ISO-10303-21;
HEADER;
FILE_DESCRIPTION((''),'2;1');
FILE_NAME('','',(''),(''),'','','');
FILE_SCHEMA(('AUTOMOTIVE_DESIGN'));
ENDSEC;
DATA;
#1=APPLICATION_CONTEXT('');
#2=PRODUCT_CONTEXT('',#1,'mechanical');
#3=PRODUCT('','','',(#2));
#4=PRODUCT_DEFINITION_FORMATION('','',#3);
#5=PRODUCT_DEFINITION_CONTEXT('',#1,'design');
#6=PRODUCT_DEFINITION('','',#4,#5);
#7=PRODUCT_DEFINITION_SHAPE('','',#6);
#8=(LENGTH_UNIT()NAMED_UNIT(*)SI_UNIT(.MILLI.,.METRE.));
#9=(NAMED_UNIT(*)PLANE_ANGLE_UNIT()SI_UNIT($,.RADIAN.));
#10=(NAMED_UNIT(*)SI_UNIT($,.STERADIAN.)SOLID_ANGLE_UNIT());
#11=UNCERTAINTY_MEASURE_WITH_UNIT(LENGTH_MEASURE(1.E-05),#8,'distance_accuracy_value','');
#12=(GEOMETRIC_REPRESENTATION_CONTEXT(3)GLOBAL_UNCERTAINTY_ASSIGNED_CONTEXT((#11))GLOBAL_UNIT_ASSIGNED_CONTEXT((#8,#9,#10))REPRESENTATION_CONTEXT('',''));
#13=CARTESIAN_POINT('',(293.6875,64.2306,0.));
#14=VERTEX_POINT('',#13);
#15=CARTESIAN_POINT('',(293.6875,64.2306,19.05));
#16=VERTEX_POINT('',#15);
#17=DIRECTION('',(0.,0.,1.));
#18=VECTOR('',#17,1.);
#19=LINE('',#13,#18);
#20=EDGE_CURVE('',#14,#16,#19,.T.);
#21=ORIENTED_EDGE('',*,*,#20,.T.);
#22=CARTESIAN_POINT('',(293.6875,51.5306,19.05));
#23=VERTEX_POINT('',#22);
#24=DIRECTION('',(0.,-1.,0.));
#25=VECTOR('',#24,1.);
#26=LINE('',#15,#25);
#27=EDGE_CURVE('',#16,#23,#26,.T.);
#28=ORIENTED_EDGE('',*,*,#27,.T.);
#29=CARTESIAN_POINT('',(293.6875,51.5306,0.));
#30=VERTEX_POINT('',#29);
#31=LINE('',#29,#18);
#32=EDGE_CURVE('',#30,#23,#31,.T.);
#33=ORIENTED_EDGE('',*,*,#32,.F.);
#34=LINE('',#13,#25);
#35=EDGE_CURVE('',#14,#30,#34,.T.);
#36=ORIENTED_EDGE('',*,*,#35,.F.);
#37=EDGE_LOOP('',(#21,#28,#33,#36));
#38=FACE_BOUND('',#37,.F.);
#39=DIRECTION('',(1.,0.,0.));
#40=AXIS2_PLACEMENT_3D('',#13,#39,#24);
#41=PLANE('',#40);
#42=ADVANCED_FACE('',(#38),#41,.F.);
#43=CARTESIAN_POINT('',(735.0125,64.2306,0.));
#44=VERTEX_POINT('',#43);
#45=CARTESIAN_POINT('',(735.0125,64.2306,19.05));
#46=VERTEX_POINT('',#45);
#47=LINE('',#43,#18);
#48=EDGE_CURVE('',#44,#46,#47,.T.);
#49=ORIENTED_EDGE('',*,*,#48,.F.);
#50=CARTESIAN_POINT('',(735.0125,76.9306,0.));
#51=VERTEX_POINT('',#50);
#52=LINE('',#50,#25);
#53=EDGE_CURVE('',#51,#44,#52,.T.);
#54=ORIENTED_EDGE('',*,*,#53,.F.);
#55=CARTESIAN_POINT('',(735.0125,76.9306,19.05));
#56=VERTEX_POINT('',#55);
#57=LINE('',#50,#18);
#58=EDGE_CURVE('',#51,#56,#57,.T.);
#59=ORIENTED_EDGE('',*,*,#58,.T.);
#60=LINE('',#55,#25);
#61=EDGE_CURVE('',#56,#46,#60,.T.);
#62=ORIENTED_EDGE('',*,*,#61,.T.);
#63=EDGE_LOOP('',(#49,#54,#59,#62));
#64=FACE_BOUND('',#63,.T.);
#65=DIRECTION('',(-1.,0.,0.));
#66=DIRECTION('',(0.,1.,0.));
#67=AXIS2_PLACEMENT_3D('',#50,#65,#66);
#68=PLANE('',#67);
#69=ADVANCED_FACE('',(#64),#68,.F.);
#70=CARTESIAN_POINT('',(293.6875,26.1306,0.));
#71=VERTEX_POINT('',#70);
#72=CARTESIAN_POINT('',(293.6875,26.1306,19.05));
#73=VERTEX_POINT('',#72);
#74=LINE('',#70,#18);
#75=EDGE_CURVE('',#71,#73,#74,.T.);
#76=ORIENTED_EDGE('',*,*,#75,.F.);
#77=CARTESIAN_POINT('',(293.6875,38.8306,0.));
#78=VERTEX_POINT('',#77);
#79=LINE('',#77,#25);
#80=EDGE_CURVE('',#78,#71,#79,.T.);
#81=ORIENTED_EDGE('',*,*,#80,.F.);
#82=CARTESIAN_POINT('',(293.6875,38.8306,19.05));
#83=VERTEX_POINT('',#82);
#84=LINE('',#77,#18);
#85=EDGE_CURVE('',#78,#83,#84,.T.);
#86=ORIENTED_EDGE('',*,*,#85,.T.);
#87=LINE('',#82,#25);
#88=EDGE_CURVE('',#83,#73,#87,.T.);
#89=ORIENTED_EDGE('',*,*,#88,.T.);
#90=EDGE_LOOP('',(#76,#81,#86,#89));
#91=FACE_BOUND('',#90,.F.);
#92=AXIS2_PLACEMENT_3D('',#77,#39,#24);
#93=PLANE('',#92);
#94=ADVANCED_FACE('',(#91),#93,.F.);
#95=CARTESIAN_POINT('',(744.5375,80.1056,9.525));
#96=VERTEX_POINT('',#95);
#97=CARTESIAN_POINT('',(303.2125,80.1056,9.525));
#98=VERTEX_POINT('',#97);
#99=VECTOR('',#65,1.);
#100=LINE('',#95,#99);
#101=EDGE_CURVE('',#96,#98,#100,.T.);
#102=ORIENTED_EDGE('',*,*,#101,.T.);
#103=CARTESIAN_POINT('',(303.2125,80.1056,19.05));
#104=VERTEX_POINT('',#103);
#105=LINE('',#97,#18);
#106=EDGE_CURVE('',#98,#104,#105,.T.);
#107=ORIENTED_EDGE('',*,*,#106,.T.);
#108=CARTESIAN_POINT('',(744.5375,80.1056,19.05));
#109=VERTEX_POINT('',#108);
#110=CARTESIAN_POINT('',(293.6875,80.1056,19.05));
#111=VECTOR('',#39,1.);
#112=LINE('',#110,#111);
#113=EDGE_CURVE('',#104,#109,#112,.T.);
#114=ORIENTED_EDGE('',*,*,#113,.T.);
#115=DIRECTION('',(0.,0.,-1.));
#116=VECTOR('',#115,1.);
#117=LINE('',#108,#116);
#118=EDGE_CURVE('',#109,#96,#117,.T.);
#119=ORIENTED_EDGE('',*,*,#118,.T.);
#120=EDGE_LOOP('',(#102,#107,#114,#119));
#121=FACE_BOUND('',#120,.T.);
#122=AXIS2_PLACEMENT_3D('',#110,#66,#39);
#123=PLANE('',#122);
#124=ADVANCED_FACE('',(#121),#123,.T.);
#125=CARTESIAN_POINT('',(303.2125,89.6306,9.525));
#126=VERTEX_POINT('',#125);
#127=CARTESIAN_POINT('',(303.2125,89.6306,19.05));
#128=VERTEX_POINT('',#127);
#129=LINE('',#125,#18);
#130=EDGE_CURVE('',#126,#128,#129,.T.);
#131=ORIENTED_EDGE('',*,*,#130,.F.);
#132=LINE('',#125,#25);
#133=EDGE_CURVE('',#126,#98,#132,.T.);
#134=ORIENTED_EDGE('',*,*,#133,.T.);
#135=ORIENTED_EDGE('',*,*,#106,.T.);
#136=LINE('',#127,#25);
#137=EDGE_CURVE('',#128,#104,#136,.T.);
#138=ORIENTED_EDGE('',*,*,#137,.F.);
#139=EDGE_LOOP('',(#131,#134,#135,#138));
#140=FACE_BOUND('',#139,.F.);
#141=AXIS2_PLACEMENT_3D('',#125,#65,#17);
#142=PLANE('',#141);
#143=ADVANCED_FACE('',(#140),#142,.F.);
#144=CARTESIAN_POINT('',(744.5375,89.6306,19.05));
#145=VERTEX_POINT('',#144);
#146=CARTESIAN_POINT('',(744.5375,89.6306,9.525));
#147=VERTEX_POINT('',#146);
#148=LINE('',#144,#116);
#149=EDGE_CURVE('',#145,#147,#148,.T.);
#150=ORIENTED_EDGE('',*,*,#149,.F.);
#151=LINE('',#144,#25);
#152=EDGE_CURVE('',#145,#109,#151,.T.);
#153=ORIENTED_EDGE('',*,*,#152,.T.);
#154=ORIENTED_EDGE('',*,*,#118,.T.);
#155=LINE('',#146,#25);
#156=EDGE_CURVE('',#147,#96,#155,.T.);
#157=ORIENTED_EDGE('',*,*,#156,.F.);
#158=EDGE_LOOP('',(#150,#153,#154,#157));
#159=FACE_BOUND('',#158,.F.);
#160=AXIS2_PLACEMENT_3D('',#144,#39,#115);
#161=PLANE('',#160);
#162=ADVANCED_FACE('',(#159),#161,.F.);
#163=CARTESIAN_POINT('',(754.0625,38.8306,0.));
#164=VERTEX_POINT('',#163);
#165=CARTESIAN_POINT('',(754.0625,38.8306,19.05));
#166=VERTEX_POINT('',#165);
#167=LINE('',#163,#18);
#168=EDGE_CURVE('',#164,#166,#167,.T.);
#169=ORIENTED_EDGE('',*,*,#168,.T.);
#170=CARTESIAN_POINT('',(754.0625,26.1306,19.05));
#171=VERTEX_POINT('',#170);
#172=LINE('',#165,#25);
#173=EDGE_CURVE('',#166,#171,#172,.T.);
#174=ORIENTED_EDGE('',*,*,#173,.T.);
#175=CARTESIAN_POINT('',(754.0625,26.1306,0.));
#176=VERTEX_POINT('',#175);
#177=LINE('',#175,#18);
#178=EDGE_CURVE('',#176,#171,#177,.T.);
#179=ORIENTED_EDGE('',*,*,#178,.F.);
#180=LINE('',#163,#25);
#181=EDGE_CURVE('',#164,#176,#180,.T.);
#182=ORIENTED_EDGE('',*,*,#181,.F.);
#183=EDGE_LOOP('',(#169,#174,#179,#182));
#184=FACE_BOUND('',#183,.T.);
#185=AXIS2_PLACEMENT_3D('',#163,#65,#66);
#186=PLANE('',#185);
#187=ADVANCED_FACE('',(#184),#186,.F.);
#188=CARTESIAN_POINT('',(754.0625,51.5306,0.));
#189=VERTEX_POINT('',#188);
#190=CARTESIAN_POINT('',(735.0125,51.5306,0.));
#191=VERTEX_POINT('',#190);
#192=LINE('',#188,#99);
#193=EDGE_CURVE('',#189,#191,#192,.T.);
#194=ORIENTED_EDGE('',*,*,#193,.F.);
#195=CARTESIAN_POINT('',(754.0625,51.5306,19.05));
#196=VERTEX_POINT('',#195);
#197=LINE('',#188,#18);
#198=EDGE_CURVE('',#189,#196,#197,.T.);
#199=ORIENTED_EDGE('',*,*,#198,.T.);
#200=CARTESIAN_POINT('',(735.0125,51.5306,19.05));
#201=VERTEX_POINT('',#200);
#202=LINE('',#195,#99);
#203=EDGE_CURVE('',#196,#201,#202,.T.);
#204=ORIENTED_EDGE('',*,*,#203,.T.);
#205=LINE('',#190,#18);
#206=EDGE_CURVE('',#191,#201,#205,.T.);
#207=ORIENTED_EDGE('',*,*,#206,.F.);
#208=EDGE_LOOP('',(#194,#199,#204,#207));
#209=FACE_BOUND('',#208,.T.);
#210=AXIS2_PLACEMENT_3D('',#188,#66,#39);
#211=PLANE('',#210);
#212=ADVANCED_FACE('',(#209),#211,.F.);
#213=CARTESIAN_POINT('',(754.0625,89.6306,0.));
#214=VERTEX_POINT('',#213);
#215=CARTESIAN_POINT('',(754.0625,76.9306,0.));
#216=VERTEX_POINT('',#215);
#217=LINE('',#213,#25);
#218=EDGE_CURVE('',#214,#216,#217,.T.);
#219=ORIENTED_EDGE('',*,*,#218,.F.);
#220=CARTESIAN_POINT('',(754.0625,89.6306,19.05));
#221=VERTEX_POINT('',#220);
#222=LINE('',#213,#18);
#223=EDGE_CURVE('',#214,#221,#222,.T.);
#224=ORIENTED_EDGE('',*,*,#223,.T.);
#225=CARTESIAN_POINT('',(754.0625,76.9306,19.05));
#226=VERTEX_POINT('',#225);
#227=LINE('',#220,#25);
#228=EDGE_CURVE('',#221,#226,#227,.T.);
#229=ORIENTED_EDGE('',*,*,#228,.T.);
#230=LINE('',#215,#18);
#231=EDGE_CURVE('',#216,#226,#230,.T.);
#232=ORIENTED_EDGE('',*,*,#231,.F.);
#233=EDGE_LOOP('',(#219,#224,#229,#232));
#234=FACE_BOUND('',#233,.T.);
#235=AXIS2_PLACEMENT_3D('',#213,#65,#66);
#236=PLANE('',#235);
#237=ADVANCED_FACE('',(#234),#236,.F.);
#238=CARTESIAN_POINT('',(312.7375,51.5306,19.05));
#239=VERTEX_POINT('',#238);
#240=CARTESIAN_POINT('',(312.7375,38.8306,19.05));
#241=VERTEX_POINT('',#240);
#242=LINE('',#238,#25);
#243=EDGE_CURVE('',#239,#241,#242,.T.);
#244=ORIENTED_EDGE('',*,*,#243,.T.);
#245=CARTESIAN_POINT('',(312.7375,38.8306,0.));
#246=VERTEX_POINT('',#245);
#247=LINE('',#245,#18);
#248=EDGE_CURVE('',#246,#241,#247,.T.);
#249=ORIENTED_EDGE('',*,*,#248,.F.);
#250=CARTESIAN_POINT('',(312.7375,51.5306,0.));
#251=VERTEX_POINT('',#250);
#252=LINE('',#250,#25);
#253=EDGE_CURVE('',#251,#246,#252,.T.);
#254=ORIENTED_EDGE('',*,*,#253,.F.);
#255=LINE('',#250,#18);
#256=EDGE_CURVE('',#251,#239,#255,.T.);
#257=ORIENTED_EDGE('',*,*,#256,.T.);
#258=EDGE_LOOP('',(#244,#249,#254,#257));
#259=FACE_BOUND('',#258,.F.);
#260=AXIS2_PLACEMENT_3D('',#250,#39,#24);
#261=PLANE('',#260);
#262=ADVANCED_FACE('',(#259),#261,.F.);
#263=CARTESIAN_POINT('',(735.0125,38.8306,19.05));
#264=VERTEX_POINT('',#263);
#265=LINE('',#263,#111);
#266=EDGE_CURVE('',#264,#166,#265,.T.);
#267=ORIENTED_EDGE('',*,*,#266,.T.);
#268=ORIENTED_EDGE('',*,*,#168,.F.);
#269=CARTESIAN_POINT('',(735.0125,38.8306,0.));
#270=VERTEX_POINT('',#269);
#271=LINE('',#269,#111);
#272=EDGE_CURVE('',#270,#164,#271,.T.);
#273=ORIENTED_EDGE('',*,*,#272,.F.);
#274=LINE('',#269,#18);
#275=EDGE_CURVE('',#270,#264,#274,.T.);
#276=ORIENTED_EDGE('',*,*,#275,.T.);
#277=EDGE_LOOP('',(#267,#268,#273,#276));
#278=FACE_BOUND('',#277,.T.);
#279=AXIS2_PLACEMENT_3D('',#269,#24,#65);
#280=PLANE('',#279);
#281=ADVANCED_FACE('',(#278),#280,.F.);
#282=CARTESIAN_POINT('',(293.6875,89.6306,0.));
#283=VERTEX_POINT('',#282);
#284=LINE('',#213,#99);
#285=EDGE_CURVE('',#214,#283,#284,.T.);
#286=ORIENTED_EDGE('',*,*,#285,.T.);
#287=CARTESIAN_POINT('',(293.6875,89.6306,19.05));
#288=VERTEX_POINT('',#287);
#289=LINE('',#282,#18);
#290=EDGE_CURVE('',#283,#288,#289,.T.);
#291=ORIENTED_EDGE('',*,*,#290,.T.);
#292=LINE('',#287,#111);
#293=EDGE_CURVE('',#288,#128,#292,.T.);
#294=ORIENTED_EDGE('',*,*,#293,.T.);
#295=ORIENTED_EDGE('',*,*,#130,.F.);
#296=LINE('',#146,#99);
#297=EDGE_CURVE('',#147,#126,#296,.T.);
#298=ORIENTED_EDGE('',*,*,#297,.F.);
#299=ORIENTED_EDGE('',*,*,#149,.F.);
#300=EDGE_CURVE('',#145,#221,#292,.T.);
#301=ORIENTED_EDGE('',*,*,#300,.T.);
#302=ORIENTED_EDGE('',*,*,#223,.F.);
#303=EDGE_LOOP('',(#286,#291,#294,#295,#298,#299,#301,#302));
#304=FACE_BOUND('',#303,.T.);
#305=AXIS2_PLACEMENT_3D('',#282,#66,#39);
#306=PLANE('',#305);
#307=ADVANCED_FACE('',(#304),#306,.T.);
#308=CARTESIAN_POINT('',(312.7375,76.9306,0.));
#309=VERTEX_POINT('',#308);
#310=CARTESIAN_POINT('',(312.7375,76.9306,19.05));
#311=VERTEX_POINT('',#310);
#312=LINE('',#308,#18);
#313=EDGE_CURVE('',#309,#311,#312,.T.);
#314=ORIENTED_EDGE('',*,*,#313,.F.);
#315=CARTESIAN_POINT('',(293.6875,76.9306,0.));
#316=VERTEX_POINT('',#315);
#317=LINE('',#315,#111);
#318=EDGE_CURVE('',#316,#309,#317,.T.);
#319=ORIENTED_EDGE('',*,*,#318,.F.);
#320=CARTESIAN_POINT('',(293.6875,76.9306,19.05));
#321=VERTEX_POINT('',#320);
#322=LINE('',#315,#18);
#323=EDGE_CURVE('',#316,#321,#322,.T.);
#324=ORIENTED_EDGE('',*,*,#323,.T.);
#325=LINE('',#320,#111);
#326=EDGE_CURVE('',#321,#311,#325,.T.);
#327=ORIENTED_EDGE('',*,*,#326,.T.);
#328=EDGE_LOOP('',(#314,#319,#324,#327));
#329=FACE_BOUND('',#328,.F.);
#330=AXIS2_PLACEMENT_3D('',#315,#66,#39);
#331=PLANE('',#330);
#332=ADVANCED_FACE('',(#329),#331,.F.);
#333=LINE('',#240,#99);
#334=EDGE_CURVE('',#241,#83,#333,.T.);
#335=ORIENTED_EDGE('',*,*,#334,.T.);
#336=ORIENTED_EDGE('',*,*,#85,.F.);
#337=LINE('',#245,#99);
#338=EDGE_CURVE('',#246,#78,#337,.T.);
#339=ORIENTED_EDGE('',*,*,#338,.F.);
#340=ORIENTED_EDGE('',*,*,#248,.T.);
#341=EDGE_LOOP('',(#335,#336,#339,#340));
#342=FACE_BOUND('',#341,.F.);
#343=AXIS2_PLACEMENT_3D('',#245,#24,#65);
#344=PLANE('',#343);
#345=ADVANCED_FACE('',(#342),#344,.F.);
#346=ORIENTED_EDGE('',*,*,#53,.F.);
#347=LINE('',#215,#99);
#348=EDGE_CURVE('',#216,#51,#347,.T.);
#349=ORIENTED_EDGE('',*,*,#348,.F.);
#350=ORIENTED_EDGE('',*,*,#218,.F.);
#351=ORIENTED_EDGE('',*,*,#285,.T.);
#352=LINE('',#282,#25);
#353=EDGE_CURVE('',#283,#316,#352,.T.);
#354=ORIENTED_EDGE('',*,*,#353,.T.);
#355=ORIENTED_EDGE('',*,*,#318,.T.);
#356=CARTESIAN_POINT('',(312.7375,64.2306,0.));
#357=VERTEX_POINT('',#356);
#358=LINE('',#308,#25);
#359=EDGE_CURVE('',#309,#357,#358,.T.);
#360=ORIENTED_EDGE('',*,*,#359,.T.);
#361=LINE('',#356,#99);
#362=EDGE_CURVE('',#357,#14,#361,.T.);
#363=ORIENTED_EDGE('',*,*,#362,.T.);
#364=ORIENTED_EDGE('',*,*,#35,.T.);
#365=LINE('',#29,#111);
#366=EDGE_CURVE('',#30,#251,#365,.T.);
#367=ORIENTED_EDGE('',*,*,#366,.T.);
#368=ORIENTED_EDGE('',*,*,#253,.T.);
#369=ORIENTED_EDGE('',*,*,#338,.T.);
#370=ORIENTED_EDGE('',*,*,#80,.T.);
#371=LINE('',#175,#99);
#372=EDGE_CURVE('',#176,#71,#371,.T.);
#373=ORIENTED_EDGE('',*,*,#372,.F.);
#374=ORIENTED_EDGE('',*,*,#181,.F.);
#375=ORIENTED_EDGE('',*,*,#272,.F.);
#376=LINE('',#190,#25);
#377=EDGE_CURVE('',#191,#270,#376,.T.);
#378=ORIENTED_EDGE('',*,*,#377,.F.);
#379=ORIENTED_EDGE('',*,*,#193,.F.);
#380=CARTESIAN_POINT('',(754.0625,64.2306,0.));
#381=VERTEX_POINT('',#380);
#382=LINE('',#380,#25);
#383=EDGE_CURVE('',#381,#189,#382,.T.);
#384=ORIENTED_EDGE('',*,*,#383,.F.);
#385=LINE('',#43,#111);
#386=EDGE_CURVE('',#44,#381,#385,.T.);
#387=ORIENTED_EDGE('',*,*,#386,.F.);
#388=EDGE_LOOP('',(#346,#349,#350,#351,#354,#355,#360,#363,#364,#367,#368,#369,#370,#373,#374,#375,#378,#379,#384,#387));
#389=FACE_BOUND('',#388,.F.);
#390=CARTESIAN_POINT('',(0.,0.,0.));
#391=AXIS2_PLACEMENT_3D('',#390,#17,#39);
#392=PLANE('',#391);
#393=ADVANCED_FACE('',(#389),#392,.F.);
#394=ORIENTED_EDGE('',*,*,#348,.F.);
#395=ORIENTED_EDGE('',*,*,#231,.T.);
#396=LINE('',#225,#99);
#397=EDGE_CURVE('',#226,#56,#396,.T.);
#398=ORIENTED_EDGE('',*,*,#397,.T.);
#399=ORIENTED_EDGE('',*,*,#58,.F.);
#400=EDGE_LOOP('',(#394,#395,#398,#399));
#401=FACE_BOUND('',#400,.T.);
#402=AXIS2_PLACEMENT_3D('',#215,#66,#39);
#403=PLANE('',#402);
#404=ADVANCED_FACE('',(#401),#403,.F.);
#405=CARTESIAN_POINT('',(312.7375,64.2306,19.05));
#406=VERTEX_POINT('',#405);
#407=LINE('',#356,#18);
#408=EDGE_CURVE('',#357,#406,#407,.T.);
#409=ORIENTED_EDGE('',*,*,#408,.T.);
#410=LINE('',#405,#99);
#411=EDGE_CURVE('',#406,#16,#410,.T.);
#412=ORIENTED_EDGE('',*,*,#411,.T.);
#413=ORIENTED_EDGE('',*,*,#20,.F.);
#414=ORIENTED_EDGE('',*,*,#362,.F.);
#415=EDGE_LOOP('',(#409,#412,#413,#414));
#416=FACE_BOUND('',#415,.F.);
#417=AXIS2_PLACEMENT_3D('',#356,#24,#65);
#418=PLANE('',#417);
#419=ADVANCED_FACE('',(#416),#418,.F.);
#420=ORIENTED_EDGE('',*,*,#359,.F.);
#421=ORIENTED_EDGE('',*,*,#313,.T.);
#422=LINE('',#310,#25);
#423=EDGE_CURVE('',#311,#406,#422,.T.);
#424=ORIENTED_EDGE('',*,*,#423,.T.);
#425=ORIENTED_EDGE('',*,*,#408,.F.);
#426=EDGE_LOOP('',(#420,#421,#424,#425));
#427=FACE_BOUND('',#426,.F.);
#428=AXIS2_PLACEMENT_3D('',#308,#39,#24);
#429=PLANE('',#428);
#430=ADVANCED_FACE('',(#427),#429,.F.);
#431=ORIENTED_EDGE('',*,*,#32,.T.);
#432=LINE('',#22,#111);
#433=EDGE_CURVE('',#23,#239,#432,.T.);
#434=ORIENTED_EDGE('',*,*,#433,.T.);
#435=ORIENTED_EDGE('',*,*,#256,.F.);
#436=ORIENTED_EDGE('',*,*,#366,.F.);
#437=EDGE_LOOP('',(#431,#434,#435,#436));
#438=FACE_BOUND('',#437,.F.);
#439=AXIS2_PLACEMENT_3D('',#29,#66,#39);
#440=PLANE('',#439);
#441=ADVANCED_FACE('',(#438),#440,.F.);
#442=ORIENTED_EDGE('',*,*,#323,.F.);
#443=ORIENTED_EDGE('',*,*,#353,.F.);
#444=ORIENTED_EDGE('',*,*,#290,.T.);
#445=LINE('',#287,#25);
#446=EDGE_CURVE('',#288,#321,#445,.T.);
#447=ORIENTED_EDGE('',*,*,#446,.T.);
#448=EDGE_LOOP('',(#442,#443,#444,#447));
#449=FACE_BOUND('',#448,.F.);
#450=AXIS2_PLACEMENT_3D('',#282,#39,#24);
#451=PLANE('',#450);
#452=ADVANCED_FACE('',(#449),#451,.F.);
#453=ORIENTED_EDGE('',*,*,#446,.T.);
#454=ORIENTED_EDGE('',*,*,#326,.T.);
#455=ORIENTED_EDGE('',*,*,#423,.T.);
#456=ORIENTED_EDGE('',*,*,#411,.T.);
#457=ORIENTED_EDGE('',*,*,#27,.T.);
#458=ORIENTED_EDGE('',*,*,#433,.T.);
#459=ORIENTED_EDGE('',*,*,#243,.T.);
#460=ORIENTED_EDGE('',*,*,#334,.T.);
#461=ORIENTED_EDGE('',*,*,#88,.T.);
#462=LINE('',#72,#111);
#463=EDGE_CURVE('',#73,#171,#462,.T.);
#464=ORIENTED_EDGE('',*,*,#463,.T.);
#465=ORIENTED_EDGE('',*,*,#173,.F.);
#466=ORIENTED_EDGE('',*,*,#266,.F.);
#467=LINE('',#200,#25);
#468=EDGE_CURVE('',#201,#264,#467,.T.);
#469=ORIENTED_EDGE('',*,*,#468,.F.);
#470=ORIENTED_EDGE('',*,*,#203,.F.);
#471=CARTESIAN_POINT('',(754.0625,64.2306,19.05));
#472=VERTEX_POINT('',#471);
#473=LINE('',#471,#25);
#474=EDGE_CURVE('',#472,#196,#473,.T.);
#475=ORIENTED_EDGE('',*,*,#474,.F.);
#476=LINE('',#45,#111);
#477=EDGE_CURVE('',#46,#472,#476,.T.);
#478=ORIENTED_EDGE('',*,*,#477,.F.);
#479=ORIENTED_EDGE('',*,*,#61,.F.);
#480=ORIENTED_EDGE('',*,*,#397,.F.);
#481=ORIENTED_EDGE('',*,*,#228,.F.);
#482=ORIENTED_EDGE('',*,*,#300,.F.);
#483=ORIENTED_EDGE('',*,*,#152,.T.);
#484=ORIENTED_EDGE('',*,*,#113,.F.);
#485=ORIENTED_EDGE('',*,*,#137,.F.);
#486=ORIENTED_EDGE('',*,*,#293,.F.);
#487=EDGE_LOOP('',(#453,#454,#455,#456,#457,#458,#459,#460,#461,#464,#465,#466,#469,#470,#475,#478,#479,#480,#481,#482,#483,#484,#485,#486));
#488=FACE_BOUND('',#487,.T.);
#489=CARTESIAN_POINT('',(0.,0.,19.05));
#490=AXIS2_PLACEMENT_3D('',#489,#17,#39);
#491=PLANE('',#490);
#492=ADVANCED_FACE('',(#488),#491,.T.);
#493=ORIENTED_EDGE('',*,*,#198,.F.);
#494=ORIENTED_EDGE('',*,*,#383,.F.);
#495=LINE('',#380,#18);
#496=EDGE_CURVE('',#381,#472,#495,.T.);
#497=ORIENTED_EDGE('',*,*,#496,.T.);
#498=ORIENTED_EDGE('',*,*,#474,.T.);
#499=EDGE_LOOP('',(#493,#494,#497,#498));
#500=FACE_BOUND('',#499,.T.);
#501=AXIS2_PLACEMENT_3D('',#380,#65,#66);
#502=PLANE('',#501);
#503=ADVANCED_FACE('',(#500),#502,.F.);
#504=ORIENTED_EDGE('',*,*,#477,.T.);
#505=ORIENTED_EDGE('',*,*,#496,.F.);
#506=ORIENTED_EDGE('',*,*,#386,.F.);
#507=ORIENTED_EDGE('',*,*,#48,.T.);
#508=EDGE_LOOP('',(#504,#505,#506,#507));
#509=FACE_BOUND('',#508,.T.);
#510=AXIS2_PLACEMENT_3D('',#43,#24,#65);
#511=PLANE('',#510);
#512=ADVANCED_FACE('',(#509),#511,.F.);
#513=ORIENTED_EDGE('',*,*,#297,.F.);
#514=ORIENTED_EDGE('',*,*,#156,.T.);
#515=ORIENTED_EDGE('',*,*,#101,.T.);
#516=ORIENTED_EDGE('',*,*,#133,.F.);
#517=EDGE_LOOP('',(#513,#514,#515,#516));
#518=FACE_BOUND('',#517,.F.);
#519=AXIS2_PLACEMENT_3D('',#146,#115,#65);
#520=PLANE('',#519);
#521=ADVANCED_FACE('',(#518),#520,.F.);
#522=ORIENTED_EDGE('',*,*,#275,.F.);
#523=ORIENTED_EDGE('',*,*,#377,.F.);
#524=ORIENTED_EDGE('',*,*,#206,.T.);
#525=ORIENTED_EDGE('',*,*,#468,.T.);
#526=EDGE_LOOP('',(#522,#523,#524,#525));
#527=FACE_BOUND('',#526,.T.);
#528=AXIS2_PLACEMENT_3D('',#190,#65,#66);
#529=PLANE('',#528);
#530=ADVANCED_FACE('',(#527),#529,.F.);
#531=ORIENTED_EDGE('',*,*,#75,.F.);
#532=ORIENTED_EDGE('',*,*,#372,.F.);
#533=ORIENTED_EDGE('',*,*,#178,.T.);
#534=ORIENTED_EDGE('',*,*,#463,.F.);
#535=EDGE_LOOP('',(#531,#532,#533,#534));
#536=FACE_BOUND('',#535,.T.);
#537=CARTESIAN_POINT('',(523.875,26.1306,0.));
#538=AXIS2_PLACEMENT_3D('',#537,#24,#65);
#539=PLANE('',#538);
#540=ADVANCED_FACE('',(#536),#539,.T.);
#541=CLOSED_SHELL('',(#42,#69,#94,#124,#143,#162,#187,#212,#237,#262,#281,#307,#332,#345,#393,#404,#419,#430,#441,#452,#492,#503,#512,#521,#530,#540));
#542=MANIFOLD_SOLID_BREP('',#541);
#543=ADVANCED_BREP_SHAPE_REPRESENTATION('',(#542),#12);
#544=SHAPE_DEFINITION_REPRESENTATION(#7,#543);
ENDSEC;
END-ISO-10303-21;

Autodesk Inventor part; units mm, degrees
ref_plane "YZ Plane" through (0, 0, 0) normal (1, 0, 0) x (0, 1, 0)
ref_plane "XZ Plane" through (0, 0, 0) normal (0, 1, 0) x (-1, 0, 0)
ref_plane "XY Plane" through (0, 0, 0) normal (0, 0, 1) x (1, 0, 0)
sketch "Sketch1" plane through (0, 0, 0) normal (0, 0, 1) x (1, 0, 0)
  line L0 (293.6875, 89.6306) -> (523.875, 89.6306)
  line L1 (523.875, 89.6306) -> (523.875, 26.1306)
  line L2 (523.875, 26.1306) -> (293.6875, 26.1306)
  line L3 (293.6875, 89.6306) -> (293.6875, 76.9306)
  line L4 (293.6875, 76.9306) -> (274.6375, 76.9306)
  line L5 (274.6375, 76.9306) -> (274.6375, 64.2306)
  line L6 (274.6375, 64.2306) -> (293.6875, 64.2306)
  line L7 (293.6875, 64.2306) -> (293.6875, 51.5306)
  line L8 (293.6875, 51.5306) -> (274.6375, 51.5306)
  line L9 (274.6375, 51.5306) -> (274.6375, 38.8306)
  line L10 (274.6375, 38.8306) -> (293.6875, 38.8306)
  line L11 (293.6875, 38.8306) -> (293.6875, 26.1306)
  line L12 (293.6875, 76.9306) -> (312.7375, 76.9306)
  line L13 (312.7375, 76.9306) -> (312.7375, 64.2306)
  line L14 (312.7375, 64.2306) -> (293.6875, 64.2306)
  line L15 (293.6875, 51.5306) -> (312.7375, 51.5306)
  line L16 (312.7375, 51.5306) -> (312.7375, 38.8306)
  line L17 (312.7375, 38.8306) -> (293.6875, 38.8306)
  point P0 (0, 0)
  dimension "d4" = 63.5
  dimension "d17" = 230.1875
  dimension "d18" = 19.05
  dimension "d19" = 12.7
  dimension "d20" = 12.7
  dimension "d21" = 12.7
  dimension "d22" = 12.7
  dimension "d23" = 12.7
  dimension "d24" = 0
  dimension "d28" = 0
extrude "Extrusion4" add sketch "Sketch1" along normal blind 19.05 contours L0 L1 L2 L11 L17 L16 L15 L7 L14 L13 L12 L3
mirror "Mirror2" about plane through (523.875, 26.1306, 0) normal (1, 0, 0) of "Extrusion4"
sketch "Sketch4" plane through (293.6875, 89.6306, 19.05) normal (0, 1, 0) x (1, 0, 0)
  line L0 (0, 19.05) -> (0, 0) projected
  line L1 (0, 0) -> (460.375, 0) projected
  line L2 (460.375, 19.05) -> (460.375, 0) projected
  line L3 (9.525, 0) -> (450.85, 0)
  line L4 (450.85, 0) -> (450.85, 9.525)
  line L5 (450.85, 9.525) -> (9.525, 9.525)
  line L6 (9.525, 9.525) -> (9.525, 0)
  point P0 (-293.6875, 19.05)
  dimension "d32" = 9.525
  dimension "d34" = 9.525
extrude "Extrusion5" cut sketch "Sketch4" against normal blind 9.525
properties part number "top_cover_side" material "Wood (Birch)"
